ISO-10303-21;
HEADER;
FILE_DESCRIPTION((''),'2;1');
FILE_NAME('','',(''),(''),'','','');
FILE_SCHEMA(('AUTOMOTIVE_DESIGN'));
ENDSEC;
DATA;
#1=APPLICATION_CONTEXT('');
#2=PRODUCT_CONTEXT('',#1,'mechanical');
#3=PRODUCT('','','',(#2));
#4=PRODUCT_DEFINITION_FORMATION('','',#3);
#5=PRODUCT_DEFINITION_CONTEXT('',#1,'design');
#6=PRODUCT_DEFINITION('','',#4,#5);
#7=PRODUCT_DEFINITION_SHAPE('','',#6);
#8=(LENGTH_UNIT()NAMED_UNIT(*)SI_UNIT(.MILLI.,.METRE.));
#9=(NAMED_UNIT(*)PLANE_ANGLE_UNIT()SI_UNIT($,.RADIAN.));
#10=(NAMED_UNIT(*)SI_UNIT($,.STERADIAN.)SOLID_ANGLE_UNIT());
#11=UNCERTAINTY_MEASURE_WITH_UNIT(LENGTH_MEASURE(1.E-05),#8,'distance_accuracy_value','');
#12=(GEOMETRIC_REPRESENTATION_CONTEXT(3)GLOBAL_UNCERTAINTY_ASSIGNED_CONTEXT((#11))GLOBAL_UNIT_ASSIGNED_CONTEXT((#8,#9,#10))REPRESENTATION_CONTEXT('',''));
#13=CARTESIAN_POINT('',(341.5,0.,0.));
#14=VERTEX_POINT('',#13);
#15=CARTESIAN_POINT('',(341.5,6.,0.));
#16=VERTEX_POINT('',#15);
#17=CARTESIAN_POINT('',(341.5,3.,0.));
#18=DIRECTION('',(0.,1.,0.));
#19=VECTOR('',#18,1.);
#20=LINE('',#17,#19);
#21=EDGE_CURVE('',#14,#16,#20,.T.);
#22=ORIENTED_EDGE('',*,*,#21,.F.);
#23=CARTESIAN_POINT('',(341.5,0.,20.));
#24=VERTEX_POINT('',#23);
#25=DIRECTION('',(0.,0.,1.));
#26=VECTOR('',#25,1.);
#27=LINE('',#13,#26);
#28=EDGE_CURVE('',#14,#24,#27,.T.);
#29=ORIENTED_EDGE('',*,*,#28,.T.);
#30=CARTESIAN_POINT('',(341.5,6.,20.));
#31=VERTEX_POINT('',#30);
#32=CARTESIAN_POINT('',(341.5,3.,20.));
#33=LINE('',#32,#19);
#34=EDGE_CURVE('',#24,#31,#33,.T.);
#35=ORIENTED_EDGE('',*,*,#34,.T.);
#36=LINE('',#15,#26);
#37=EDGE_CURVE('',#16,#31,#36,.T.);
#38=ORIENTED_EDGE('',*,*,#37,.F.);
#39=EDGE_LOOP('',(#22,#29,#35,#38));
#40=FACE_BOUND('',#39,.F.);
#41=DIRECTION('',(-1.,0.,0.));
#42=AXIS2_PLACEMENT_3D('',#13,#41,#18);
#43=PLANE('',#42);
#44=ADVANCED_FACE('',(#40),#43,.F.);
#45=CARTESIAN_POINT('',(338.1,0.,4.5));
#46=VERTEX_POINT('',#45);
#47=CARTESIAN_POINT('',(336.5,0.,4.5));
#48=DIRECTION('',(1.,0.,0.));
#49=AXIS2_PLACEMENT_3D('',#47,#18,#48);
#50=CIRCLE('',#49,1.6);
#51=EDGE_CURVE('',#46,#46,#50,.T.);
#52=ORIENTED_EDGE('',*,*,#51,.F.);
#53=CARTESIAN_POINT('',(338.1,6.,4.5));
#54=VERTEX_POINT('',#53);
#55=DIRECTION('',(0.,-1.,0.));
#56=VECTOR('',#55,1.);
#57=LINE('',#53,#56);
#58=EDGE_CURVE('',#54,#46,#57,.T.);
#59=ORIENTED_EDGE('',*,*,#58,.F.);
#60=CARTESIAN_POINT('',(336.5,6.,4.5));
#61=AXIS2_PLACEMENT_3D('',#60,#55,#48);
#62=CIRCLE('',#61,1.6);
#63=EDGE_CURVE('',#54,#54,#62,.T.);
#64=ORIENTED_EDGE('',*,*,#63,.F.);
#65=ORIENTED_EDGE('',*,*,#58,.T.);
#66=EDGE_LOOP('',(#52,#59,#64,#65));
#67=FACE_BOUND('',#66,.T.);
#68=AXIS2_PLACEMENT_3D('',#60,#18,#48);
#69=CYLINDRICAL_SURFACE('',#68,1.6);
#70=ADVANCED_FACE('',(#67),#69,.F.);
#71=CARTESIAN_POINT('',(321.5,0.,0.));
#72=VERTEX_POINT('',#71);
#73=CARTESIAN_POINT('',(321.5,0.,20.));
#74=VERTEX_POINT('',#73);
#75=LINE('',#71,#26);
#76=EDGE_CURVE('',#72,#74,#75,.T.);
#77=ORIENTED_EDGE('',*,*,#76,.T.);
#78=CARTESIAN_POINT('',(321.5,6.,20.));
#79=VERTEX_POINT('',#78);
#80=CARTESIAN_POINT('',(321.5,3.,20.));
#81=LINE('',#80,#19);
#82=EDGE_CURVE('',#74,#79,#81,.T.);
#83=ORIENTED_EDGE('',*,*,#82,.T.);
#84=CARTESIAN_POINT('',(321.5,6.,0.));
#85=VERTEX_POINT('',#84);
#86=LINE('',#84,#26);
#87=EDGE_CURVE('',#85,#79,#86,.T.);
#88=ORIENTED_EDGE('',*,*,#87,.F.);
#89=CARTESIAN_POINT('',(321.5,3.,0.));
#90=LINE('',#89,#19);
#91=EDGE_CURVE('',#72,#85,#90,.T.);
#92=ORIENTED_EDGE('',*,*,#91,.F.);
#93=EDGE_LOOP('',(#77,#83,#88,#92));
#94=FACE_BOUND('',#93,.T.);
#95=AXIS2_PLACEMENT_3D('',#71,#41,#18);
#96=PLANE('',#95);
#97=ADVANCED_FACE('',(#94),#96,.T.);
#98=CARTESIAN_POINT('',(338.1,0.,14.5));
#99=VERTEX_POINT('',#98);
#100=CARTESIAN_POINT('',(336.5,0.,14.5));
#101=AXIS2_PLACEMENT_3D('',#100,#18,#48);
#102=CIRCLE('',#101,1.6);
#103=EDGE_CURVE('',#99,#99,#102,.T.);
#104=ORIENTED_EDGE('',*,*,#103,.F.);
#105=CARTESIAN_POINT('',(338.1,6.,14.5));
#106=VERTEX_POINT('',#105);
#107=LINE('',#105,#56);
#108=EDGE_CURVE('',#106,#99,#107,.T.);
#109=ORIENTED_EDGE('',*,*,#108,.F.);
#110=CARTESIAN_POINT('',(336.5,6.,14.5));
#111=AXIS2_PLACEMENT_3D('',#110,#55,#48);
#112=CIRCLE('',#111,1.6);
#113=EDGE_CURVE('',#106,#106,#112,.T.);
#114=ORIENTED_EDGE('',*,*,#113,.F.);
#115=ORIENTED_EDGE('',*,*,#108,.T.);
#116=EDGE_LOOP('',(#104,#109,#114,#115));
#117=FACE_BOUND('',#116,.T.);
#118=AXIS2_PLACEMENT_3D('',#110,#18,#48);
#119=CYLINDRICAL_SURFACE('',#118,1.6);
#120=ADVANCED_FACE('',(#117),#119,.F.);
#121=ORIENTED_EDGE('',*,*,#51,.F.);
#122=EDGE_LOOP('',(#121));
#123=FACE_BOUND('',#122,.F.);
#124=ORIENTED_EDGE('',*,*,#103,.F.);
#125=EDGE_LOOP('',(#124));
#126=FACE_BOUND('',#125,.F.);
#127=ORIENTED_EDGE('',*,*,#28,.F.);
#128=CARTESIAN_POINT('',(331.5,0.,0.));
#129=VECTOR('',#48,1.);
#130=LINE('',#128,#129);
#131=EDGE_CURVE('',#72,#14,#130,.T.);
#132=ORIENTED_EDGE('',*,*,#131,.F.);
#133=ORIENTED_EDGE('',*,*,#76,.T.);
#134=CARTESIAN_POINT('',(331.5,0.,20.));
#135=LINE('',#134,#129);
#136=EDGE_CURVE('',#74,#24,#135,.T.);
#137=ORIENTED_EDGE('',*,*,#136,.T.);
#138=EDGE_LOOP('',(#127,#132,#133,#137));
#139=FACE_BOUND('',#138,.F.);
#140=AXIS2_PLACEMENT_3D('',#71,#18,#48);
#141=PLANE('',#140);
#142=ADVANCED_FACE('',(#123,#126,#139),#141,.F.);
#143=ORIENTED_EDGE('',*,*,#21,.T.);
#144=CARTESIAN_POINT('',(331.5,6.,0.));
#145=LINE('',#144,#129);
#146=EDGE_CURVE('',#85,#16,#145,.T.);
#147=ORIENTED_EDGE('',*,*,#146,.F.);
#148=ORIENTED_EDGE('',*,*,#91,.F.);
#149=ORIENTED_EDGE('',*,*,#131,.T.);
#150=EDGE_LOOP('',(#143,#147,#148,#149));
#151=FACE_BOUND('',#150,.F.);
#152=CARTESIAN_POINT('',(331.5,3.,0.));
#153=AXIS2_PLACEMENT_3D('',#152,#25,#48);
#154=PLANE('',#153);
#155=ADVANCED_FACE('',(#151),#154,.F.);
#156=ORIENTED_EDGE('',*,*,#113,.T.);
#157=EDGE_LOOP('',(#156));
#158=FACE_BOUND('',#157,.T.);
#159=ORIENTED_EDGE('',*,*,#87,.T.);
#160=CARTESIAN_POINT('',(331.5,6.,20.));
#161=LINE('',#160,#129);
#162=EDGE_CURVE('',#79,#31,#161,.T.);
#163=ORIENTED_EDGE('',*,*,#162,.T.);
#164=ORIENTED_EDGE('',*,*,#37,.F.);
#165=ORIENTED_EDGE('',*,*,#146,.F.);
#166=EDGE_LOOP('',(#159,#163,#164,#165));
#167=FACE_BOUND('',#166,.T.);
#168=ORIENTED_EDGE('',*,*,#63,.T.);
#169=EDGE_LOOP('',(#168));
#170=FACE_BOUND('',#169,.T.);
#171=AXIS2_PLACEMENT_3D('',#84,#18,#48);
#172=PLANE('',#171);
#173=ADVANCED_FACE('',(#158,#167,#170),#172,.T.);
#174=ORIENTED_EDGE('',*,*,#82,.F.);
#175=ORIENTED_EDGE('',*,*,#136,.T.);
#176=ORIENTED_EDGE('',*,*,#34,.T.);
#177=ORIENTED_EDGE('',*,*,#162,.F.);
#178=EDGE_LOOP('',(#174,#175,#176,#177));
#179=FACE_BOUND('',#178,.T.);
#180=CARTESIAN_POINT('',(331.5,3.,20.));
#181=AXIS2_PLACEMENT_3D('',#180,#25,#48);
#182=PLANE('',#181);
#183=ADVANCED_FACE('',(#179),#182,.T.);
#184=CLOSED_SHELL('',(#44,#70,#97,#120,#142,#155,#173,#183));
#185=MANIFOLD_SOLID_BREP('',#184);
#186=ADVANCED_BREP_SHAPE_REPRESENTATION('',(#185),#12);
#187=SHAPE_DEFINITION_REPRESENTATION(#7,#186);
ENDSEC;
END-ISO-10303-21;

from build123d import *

# Parameters (mm, degrees)
CYLINDER110_R     = 1.6
CYLINDER110_DEPTH = 10
CYLINDER111_R     = 1.6
CYLINDER111_DEPTH = 10
BOX049_W          = 20
BOX049_H          = 6
BOX049_DEPTH      = 20


with BuildPart() as cylinder110:
    # Cylinder110 → Cylinder110 (new body)
    with BuildSketch(Plane(origin=(320, 26, 0), x_dir=(1, 0, 0), z_dir=(0, -1, 0))):
        Circle(CYLINDER110_R)
    extrude(amount=CYLINDER110_DEPTH)


with BuildPart() as fusion096:
    # Cylinder111 → Cylinder111 (new body)
    with BuildSketch(Plane(origin=(320, 26, 10), x_dir=(1, 0, 0), z_dir=(0, -1, 0))):
        Circle(CYLINDER111_R)
    extrude(amount=CYLINDER111_DEPTH)

    # Fusion096: union Cylinder110
    add(cylinder110.part)


with BuildPart() as fusion096_1:
    # Fusion096 placement: moved
    add(fusion096.part.moved(Location((15, -1.5, 6))))


with BuildPart() as cut057:
    # Box049 → Box049 (new body)
    with BuildSketch(Plane(origin=(320, 18.5, 1.5), x_dir=(1, 0, 0), z_dir=(0, 0, 1))):
        with Locations((10, 3)):
            Rectangle(BOX049_W, BOX049_H)
    extrude(amount=BOX049_DEPTH)

    # Cut057: cut Fusion096
    add(fusion096_1.part, mode=Mode.SUBTRACT)


with BuildPart() as cut057_1:
    # Cut057 placement: moved
    add(cut057.part.moved(Location((1.5, -18.5, -1.5))))


solid = cut057_1.part
